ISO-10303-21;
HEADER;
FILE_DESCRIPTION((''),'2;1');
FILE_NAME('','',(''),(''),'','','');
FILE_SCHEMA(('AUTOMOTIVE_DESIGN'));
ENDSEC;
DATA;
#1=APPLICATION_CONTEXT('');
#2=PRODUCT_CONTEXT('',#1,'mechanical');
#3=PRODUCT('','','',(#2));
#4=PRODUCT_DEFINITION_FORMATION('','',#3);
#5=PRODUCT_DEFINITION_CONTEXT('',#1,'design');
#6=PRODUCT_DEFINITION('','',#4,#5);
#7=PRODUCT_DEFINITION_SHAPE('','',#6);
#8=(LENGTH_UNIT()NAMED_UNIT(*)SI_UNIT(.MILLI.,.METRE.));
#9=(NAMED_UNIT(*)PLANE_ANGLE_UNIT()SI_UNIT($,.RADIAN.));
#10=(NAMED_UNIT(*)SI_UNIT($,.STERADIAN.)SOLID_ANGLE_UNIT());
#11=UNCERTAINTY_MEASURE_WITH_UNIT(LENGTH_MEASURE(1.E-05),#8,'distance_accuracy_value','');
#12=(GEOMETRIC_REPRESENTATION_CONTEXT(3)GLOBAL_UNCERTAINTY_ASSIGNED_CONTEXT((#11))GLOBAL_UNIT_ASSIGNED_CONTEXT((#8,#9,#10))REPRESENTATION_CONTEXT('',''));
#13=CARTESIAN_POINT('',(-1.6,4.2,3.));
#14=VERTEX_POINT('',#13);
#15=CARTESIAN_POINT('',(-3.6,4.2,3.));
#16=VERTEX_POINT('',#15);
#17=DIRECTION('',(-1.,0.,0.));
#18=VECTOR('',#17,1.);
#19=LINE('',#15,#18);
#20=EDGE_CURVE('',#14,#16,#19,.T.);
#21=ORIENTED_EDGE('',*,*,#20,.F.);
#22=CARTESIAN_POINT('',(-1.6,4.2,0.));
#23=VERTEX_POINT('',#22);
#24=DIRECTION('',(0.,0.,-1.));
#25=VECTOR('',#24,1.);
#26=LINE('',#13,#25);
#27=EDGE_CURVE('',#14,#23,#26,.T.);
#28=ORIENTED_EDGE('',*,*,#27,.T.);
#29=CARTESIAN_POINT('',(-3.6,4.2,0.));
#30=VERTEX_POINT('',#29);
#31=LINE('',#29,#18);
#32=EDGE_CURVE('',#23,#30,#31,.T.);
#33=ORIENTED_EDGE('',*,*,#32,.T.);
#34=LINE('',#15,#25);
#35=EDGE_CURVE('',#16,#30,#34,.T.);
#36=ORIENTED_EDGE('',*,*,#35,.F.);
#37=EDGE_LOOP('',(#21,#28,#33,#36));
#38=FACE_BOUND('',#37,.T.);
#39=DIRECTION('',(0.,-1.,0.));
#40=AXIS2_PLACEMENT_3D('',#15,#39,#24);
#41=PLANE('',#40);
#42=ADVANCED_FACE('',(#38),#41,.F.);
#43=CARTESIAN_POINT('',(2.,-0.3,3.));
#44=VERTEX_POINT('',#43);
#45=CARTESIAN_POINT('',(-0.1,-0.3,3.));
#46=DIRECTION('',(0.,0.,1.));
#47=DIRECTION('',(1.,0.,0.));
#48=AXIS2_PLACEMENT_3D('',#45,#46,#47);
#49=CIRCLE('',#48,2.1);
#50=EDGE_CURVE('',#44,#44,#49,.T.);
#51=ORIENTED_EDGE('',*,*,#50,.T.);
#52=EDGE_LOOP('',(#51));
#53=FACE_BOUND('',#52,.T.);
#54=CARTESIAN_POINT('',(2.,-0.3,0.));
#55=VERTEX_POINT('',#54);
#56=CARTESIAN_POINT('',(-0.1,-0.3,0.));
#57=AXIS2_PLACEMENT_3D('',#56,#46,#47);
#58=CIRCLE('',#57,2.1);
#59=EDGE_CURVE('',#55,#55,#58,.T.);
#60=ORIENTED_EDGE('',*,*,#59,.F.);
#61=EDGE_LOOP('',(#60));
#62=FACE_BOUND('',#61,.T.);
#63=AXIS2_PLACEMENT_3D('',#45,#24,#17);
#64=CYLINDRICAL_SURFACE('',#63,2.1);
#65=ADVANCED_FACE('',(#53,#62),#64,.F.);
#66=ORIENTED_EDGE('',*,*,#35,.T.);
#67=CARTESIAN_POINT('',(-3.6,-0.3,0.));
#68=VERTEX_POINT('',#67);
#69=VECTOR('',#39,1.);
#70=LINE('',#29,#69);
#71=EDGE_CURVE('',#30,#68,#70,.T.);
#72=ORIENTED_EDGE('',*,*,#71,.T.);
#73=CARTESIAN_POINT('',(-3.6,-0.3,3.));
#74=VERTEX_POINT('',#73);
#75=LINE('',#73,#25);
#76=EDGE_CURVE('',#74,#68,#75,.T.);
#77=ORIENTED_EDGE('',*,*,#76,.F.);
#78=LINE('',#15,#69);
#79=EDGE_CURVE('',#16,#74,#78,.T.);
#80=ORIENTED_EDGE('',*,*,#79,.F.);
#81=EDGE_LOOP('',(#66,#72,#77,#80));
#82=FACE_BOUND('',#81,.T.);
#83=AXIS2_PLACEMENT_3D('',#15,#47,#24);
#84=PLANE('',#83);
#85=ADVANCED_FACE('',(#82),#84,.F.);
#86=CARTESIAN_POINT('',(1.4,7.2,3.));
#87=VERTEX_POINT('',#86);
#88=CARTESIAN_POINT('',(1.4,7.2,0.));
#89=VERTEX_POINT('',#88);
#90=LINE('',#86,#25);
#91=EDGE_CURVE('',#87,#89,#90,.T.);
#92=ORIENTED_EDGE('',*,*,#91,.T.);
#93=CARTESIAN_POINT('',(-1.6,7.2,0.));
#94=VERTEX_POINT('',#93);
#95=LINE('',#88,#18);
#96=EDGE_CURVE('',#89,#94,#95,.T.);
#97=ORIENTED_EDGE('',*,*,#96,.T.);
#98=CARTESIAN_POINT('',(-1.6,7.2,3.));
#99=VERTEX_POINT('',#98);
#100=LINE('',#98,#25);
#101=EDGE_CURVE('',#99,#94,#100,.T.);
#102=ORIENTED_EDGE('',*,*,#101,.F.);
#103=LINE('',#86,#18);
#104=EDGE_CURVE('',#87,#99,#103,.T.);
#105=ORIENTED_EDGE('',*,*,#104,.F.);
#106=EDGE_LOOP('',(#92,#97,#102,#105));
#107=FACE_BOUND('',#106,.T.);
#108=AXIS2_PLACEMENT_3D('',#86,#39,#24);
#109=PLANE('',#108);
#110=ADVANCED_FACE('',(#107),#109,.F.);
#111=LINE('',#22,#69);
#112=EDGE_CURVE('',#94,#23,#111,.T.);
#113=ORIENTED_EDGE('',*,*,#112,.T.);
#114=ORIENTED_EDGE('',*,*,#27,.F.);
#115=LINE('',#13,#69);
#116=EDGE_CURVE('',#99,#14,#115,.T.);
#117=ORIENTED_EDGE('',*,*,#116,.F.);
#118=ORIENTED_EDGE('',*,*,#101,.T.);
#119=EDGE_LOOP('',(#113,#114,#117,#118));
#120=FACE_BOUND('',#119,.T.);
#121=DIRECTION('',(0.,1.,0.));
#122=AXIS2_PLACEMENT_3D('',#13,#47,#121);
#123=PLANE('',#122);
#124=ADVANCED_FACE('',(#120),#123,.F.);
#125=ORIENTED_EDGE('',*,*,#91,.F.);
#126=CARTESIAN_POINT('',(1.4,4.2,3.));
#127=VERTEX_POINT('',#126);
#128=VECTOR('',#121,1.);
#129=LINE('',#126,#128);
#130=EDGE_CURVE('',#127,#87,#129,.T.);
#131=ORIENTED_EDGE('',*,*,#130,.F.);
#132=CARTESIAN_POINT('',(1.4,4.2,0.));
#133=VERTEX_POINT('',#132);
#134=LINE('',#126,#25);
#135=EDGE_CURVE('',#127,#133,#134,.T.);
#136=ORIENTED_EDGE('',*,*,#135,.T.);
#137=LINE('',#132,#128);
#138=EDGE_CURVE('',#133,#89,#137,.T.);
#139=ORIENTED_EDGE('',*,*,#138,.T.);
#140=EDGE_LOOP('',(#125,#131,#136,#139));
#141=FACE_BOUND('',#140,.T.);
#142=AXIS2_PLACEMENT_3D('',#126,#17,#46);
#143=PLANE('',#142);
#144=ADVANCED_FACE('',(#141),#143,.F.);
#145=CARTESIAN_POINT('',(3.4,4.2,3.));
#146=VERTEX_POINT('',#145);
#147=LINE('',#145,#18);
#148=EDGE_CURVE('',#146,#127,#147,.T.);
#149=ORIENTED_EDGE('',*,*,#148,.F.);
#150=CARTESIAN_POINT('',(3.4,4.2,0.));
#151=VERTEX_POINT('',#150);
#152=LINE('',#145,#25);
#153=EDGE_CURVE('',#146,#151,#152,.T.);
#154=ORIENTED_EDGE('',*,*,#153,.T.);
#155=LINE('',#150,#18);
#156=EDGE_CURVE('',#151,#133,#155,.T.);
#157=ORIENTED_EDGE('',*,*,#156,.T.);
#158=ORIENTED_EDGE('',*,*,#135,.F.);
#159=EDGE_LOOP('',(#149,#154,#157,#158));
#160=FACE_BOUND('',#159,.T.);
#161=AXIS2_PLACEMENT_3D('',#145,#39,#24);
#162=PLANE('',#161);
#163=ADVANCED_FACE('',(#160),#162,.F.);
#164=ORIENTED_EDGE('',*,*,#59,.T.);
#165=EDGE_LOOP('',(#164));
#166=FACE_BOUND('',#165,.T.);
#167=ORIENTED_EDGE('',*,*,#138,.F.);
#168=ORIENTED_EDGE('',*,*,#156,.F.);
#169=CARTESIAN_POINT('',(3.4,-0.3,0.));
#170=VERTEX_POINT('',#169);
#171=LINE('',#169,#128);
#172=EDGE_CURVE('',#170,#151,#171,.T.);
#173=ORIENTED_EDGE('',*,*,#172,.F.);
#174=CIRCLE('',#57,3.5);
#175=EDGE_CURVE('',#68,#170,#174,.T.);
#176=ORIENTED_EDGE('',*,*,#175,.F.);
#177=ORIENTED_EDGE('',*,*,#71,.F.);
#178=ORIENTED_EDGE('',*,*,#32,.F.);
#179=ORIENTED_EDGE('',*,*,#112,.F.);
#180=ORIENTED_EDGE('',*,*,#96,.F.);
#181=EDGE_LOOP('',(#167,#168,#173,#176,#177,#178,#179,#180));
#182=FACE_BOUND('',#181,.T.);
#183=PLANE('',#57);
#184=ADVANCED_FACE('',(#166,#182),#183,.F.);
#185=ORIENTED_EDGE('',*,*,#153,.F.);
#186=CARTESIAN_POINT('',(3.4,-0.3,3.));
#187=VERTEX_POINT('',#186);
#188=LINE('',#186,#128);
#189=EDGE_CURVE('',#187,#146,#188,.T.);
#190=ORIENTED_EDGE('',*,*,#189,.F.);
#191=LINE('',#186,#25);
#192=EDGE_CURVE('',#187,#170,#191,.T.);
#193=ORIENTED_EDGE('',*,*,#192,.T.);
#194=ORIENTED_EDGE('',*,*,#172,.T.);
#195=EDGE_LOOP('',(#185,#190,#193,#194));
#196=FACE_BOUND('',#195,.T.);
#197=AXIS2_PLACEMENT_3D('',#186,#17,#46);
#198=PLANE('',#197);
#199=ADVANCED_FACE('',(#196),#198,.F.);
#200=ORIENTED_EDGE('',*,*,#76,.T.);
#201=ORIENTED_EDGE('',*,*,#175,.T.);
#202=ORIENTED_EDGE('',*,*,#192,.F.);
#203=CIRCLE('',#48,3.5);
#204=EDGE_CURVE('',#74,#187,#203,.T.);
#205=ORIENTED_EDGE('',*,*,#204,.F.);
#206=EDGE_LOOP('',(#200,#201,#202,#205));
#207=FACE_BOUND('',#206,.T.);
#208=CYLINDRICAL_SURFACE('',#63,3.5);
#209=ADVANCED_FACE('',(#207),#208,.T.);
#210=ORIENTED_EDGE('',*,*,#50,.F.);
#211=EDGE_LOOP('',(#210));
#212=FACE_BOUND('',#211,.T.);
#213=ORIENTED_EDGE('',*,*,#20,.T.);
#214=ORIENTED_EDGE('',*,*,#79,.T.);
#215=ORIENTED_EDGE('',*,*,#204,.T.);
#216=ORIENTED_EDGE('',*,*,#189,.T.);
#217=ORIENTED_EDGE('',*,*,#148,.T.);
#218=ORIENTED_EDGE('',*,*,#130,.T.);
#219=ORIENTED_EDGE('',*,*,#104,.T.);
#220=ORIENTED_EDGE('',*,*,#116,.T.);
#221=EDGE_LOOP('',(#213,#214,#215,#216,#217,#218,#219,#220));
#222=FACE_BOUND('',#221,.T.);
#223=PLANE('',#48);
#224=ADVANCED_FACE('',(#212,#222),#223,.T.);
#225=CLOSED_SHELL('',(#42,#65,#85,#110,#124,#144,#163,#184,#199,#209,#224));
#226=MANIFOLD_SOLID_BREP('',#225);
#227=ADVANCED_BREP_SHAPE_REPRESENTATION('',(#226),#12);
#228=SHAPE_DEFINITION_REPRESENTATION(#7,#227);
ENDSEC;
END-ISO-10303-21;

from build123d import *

# Parameters (mm, degrees)
MODEL_R                 = 2.1
SALIENTE_EXTRUIR1_DEPTH = 3


with BuildPart() as part:
    # Model → Saliente-Extruir1 (new body)
    with BuildSketch(Plane.XY):
        with BuildLine():
            Line((3.4, -0.3), (3.4, 4.2))
            Line((3.4, 4.2), (1.4, 4.2))
            Line((1.4, 4.2), (1.4, 7.2))
            Line((1.4, 7.2), (-1.6, 7.2))
            Line((-1.6, 7.2), (-1.6, 4.2))
            Line((-1.6, 4.2), (-3.6, 4.2))
            Line((-3.6, 4.2), (-3.6, -0.3))
            ThreePointArc((-3.6, -0.3), (-0.1, -3.8), (3.4, -0.3))
        make_face()
        with Locations((-0.1, -0.3)):
            Circle(MODEL_R, mode=Mode.SUBTRACT)
    extrude(amount=SALIENTE_EXTRUIR1_DEPTH)


solid = part.part
